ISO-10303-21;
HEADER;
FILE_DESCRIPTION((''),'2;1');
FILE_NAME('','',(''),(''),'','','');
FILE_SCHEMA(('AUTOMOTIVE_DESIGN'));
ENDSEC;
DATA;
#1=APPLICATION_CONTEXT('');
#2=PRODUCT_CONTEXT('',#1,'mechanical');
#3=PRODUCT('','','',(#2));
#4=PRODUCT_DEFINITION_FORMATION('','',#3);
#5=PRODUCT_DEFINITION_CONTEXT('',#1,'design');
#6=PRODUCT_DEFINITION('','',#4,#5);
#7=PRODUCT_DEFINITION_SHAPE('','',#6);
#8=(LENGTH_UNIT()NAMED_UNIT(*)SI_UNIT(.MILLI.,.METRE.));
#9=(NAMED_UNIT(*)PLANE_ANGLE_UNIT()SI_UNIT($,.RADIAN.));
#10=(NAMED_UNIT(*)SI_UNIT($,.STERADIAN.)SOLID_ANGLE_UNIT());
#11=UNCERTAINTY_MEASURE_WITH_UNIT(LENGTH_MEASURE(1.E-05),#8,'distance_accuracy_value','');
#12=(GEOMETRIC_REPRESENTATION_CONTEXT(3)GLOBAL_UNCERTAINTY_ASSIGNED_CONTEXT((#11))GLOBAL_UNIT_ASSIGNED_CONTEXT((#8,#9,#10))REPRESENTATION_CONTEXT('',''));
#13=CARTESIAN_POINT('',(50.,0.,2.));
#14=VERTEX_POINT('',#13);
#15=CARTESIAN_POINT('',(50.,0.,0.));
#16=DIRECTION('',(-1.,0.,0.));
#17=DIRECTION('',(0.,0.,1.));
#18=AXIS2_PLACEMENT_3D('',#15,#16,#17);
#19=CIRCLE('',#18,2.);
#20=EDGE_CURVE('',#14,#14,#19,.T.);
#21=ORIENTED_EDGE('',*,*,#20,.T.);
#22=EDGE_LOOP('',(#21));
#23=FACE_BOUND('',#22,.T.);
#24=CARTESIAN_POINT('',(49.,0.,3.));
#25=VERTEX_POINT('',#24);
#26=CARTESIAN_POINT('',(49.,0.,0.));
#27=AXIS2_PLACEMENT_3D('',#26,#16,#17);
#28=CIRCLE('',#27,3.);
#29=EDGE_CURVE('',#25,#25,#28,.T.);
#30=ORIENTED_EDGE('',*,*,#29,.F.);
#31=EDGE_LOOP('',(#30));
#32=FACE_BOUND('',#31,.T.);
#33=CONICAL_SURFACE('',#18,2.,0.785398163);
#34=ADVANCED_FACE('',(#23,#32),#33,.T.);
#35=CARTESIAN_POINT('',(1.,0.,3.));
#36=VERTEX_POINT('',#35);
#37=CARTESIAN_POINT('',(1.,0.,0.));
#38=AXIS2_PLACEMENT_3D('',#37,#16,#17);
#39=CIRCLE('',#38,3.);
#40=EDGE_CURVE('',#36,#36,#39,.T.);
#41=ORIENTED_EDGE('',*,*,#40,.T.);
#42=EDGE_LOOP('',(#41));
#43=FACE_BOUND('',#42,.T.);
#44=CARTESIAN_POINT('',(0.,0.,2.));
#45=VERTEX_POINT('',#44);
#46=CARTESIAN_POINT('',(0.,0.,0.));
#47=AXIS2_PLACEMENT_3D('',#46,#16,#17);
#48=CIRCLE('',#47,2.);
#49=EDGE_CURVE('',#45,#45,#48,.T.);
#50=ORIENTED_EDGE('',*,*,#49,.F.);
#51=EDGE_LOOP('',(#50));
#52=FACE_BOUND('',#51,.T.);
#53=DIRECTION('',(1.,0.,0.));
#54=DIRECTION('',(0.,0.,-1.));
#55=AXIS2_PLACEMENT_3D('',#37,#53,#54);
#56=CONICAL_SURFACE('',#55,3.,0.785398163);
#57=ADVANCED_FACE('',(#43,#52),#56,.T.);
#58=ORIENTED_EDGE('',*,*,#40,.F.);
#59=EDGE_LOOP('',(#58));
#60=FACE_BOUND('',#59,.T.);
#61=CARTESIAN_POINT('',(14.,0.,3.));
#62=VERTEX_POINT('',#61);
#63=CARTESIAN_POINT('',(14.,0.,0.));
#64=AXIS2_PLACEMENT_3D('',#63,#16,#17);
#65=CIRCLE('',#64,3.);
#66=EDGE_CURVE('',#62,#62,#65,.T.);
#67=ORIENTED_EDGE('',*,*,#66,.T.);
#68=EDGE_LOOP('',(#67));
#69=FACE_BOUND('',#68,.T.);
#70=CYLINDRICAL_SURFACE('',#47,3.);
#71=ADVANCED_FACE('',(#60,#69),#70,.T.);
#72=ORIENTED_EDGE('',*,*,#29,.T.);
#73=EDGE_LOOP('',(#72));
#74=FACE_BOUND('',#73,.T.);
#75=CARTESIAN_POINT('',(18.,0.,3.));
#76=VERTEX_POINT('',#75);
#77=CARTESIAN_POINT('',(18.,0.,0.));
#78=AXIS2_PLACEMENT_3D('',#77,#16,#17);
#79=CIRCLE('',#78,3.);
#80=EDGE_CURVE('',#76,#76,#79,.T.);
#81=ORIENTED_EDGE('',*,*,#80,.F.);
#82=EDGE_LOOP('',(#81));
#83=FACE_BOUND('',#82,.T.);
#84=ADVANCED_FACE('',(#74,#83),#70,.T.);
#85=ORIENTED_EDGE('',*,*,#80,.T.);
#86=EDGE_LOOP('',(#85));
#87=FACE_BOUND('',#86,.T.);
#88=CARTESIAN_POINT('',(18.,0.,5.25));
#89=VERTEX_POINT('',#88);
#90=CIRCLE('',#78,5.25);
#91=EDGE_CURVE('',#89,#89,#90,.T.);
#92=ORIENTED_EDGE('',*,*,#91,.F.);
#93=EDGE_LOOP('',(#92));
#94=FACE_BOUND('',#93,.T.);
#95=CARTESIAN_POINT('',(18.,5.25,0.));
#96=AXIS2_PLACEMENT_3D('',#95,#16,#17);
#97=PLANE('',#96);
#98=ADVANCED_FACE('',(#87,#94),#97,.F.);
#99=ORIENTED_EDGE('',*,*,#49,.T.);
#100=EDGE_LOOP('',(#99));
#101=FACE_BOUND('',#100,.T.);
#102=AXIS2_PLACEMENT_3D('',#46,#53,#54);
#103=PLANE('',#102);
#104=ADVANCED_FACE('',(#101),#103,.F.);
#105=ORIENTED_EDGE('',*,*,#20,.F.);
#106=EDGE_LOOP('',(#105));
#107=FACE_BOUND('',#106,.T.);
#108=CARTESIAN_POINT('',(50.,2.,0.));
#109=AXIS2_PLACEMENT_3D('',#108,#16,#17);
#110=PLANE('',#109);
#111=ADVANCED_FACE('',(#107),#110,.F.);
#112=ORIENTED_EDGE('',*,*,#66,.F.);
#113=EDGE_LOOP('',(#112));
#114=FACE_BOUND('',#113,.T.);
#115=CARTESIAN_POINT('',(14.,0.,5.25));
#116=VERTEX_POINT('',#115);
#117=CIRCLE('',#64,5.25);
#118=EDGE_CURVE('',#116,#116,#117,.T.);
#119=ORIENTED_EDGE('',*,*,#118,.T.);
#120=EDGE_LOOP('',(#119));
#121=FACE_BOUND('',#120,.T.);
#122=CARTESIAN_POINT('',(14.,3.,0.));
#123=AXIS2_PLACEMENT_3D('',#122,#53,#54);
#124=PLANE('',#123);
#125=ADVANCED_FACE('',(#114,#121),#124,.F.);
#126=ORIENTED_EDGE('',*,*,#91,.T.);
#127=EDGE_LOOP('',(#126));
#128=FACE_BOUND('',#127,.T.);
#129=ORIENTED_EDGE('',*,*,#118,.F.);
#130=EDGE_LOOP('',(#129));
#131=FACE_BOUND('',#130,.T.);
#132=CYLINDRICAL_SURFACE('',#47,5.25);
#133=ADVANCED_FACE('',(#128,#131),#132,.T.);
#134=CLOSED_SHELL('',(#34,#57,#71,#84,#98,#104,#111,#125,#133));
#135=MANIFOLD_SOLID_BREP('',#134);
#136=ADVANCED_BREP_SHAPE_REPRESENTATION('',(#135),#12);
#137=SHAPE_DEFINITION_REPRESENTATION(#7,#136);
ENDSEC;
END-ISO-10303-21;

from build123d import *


with BuildPart() as part:
    # Эскиз1 → Повернуть1 (revolve)
    with BuildSketch(Plane.XY, mode=Mode.PRIVATE) as revolve_1_sk:
        Polygon((0, 0), (0, 2), (1, 3), (14, 3), (14, 5.25), (18, 5.25), (18, 3), (49, 3), (50, 2), (50, 0), align=None)
    revolve(revolve_1_sk.sketch.rotate(Axis((0, 0, 0), (1, 0, 0)), 90), axis=Axis((0, 0, 0), (1, 0, 0)))


solid = part.part
